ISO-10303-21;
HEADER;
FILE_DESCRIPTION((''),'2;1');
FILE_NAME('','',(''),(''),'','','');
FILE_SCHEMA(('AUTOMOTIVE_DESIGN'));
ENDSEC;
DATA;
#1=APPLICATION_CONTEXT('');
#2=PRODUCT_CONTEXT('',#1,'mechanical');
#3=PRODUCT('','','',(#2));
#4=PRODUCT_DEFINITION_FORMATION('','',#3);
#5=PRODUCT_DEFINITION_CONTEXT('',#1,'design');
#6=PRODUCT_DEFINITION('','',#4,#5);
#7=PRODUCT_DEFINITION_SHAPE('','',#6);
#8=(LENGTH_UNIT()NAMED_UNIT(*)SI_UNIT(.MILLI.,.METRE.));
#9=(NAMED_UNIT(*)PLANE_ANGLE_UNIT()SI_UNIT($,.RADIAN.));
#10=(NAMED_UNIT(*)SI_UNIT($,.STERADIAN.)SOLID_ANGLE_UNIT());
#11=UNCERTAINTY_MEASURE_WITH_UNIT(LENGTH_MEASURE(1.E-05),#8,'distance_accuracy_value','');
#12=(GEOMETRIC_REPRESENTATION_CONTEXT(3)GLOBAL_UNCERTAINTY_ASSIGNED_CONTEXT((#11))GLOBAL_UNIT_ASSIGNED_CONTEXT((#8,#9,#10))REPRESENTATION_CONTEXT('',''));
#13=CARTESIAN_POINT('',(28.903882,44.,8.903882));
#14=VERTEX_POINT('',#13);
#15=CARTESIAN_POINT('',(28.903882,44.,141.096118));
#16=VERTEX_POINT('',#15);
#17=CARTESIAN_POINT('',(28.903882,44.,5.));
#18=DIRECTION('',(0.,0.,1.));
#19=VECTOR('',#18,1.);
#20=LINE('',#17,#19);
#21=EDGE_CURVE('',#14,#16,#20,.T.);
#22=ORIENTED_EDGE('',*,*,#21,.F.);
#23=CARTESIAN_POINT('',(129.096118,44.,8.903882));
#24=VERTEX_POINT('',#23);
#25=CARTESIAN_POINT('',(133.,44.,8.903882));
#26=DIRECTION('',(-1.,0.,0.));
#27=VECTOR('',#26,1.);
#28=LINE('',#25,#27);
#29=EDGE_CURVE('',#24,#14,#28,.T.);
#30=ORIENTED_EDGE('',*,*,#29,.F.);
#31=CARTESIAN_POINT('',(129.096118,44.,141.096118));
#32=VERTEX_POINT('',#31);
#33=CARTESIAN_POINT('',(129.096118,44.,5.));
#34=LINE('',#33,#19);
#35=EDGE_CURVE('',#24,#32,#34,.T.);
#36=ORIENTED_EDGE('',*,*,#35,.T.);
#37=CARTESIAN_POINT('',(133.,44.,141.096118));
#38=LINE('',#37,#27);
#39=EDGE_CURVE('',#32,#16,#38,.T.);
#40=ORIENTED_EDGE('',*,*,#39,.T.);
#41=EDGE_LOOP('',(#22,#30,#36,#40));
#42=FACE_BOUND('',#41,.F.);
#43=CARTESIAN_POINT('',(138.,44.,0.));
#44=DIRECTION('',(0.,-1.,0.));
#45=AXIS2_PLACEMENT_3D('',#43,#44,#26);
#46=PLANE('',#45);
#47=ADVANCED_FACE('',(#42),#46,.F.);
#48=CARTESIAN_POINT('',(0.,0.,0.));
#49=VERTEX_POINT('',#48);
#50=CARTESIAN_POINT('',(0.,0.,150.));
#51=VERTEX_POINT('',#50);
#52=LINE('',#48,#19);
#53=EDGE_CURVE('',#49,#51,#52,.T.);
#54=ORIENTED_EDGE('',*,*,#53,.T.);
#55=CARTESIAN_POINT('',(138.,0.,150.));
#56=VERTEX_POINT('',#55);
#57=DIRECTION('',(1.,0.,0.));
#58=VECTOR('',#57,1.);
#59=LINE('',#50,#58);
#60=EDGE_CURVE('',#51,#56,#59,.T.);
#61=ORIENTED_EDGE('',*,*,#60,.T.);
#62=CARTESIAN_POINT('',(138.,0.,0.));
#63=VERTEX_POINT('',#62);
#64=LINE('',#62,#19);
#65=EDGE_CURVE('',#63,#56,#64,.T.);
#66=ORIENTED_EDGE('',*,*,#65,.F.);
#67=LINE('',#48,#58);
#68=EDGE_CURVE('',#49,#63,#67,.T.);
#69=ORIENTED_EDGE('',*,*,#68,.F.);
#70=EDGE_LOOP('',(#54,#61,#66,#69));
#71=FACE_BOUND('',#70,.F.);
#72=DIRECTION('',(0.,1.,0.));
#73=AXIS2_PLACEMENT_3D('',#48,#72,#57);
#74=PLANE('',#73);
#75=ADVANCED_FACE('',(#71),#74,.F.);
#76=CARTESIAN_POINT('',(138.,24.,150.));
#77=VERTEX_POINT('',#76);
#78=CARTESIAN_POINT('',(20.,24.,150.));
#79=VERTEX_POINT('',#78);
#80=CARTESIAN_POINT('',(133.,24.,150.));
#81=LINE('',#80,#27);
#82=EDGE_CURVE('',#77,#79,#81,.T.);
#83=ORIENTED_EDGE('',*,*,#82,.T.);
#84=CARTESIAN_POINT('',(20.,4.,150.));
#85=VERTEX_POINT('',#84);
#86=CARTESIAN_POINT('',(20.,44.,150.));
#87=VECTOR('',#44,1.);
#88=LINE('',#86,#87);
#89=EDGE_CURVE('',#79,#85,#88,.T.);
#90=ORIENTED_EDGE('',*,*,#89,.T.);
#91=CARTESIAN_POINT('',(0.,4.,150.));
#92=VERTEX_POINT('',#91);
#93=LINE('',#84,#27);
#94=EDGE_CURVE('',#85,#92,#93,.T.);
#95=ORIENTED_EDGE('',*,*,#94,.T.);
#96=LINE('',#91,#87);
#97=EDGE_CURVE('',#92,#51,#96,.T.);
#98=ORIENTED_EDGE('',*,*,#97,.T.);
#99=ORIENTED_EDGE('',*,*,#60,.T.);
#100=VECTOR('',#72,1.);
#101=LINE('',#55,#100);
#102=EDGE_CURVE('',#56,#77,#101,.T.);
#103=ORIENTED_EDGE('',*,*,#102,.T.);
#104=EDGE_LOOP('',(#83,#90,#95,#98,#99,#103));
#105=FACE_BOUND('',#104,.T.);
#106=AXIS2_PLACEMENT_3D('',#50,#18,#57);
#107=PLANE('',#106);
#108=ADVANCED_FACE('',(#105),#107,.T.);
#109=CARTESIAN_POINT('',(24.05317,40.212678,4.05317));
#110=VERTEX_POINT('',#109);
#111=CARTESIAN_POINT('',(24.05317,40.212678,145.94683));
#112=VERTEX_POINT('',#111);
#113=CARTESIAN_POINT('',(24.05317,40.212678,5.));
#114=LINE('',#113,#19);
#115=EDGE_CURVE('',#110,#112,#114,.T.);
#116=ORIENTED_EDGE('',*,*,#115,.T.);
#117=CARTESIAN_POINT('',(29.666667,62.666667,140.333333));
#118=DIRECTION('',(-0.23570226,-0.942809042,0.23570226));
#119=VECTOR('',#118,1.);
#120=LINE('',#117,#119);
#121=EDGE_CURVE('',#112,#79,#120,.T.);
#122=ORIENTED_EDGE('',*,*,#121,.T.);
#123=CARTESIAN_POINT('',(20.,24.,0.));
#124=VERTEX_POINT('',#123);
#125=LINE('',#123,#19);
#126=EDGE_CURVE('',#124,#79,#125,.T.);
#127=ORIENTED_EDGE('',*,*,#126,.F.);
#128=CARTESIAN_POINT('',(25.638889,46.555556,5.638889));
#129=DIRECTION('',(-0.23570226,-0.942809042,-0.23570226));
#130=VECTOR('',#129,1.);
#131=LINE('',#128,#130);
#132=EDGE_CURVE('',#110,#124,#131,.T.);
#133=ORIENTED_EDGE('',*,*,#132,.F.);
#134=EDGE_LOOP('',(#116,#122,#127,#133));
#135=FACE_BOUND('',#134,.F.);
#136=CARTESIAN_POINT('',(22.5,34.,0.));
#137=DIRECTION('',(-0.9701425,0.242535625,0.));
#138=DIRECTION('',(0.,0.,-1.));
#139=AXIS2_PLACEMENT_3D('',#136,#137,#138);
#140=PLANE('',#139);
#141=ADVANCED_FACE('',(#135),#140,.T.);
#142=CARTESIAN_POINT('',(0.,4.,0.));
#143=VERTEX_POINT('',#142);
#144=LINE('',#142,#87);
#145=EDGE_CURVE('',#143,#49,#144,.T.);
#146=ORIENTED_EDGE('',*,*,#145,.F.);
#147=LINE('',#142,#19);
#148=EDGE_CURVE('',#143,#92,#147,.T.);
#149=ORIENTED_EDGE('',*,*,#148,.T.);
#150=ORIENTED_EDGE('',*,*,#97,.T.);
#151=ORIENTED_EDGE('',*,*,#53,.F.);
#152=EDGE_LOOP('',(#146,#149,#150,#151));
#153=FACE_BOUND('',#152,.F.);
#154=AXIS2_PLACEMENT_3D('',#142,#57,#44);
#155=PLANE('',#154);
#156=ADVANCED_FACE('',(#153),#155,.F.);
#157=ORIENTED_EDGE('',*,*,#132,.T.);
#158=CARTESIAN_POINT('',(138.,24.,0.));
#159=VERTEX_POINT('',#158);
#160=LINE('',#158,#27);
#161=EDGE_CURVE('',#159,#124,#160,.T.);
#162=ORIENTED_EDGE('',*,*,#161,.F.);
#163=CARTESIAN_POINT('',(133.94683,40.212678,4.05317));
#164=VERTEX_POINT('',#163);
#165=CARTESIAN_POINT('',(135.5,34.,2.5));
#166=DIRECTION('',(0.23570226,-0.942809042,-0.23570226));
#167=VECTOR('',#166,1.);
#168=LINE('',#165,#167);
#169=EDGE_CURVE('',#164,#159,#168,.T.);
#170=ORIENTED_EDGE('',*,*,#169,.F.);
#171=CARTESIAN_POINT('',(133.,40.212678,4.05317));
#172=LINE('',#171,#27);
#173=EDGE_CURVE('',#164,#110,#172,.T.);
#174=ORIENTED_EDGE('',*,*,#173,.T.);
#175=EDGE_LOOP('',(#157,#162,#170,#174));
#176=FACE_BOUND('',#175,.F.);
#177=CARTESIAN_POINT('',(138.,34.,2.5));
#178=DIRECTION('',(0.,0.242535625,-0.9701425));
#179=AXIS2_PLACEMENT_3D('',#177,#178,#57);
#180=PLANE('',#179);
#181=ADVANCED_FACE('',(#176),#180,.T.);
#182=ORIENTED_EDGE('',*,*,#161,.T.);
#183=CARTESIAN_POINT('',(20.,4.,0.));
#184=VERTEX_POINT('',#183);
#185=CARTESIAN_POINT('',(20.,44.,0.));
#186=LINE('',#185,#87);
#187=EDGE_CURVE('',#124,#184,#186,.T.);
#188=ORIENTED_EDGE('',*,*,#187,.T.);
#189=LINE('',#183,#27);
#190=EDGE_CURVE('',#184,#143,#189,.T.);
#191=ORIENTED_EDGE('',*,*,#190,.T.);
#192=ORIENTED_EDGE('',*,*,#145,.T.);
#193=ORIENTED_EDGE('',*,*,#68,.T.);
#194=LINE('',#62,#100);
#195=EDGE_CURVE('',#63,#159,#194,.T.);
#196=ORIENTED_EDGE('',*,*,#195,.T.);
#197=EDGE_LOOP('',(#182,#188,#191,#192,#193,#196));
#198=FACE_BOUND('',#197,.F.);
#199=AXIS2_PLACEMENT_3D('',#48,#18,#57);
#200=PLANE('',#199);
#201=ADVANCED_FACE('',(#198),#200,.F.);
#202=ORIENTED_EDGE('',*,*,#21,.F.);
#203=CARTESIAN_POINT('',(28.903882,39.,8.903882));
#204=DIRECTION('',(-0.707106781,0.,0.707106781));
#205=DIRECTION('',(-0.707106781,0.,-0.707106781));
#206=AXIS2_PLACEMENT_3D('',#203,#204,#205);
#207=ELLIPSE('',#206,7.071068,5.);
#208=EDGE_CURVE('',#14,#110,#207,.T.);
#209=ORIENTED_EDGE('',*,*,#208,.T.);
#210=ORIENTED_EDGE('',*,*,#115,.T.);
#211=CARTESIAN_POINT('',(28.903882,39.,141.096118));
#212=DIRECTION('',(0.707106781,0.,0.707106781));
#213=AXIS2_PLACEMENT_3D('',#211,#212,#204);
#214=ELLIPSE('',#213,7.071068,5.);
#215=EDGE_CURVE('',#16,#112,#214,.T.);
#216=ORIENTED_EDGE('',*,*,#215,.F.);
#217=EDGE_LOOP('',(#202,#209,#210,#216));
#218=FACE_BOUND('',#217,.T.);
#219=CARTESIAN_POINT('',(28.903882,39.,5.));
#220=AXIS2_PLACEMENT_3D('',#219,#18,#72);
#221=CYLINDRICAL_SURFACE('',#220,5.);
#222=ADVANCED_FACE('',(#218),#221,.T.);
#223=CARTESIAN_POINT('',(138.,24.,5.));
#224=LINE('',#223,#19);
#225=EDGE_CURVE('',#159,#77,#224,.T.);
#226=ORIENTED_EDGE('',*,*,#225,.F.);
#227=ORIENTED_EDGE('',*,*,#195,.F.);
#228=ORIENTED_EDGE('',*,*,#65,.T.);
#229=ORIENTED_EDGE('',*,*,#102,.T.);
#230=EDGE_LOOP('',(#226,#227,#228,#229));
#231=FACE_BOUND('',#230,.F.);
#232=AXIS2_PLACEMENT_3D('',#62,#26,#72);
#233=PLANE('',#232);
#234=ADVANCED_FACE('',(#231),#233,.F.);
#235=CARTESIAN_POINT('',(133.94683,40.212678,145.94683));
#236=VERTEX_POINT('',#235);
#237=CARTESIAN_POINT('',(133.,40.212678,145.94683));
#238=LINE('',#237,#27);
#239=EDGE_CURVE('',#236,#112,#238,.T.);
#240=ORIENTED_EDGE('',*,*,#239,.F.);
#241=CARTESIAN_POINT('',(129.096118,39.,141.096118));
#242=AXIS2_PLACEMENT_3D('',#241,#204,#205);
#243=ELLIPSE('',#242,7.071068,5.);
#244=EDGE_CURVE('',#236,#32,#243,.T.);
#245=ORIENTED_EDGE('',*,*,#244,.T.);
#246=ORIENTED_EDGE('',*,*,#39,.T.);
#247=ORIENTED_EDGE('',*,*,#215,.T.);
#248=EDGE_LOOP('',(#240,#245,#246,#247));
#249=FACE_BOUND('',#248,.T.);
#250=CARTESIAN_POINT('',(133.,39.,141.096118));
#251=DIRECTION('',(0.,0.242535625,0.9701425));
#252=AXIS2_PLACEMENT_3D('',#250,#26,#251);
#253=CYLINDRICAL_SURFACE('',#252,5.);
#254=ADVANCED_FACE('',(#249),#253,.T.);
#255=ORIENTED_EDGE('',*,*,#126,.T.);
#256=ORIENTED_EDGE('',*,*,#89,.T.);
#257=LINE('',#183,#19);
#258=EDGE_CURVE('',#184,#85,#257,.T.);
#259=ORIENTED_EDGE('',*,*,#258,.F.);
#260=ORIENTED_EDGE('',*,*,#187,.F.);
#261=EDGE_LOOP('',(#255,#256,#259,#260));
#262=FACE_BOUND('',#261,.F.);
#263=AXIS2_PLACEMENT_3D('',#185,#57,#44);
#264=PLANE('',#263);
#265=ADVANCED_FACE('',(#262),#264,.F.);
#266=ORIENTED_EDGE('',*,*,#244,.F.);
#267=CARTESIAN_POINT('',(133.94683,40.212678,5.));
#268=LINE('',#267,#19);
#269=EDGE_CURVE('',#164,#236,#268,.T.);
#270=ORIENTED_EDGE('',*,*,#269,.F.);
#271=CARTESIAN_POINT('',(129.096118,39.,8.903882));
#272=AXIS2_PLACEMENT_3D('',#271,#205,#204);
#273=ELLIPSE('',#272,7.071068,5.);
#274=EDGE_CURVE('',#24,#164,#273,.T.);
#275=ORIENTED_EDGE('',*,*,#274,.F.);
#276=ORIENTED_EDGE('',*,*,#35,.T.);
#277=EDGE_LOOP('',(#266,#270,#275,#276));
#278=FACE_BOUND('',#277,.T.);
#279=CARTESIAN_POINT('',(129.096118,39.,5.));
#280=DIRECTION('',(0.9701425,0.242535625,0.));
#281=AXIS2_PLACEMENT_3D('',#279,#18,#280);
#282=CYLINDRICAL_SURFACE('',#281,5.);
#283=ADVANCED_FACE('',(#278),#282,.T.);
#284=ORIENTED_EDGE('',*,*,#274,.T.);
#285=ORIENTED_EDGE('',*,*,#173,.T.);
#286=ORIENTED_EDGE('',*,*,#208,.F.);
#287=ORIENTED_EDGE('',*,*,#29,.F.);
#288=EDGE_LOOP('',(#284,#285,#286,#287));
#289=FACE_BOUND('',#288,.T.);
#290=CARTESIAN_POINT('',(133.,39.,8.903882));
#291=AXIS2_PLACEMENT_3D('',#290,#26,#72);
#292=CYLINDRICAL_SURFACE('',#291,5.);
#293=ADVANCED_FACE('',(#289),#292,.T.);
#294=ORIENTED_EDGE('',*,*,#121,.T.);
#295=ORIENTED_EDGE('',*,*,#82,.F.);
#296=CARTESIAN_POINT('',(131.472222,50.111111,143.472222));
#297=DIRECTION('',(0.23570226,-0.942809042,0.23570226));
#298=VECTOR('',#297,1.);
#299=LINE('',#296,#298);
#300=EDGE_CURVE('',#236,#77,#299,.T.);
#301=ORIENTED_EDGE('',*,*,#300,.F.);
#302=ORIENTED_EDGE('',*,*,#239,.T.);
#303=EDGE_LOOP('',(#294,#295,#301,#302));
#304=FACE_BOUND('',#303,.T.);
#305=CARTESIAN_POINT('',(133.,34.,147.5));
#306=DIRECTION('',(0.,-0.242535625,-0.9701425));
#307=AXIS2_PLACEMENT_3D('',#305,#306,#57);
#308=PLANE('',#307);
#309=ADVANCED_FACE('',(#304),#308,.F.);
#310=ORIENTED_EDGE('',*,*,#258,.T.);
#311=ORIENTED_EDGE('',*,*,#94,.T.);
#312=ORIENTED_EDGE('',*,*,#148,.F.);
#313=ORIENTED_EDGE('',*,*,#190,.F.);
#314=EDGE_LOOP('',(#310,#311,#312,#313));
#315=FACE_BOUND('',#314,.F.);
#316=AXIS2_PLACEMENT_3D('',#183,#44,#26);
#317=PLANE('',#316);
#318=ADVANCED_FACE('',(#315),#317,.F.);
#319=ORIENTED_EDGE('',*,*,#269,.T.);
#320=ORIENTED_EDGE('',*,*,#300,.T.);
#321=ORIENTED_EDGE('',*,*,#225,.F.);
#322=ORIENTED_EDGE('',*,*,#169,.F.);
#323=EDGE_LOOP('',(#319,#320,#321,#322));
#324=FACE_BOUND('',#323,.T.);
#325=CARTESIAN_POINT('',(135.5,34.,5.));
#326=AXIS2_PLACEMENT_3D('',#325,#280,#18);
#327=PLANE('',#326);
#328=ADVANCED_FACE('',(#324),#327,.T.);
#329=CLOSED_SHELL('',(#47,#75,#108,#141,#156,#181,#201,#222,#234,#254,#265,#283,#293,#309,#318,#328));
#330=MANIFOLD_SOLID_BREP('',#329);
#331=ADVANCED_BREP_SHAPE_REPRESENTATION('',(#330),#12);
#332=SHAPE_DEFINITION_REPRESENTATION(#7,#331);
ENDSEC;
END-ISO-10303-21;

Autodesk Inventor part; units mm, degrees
ref_plane "YZ Plane" through (0, 0, 0) normal (1, 0, 0) x (0, 1, 0)
ref_plane "XZ Plane" through (0, 0, 0) normal (0, 1, 0) x (-1, 0, 0)
ref_plane "XY Plane" through (0, 0, 0) normal (0, 0, 1) x (1, 0, 0)
sketch "スケッチ1" plane through (0, 0, 0) normal (0, 0, 1) x (1, 0, 0)
  line L0 (0, 0) -> (138, 0)
  line L1 (138, 0) -> (138, 44)
  line L2 (138, 44) -> (20, 44)
  line L3 (20, 44) -> (20, 4)
  line L4 (20, 4) -> (0, 4)
  line L5 (0, 4) -> (0, 0)
  dimension "d0" = 20
  dimension "d1" = 4
  dimension "d2" = 40
  dimension "d3" = 118
extrude "押し出し1" add sketch "スケッチ1" along normal blind 150
chamfer "面取り1" distance 5 distance2 20 1 edges at (20, 44, 75) measured on face at (98.6667, 44, 50)
chamfer "面取り2" distance 5 distance2 20 1 edges at (81.5, 44, 0) measured on face at (100.3333, 44, 50)
chamfer "面取り3" distance 5 distance2 20 1 edges at (138, 44, 77.5) measured on face at (100.3333, 44, 53.3333)
chamfer "面取り4" distance 5 distance2 20 1 edges at (79, 44, 150) measured on face at (97, 44, 101.6667)
fillet "フィレット1" radius 5 4 edges at (79, 44, 5) (25, 44, 75) (79, 44, 145) (133, 44, 75)
properties part number "おもり"
